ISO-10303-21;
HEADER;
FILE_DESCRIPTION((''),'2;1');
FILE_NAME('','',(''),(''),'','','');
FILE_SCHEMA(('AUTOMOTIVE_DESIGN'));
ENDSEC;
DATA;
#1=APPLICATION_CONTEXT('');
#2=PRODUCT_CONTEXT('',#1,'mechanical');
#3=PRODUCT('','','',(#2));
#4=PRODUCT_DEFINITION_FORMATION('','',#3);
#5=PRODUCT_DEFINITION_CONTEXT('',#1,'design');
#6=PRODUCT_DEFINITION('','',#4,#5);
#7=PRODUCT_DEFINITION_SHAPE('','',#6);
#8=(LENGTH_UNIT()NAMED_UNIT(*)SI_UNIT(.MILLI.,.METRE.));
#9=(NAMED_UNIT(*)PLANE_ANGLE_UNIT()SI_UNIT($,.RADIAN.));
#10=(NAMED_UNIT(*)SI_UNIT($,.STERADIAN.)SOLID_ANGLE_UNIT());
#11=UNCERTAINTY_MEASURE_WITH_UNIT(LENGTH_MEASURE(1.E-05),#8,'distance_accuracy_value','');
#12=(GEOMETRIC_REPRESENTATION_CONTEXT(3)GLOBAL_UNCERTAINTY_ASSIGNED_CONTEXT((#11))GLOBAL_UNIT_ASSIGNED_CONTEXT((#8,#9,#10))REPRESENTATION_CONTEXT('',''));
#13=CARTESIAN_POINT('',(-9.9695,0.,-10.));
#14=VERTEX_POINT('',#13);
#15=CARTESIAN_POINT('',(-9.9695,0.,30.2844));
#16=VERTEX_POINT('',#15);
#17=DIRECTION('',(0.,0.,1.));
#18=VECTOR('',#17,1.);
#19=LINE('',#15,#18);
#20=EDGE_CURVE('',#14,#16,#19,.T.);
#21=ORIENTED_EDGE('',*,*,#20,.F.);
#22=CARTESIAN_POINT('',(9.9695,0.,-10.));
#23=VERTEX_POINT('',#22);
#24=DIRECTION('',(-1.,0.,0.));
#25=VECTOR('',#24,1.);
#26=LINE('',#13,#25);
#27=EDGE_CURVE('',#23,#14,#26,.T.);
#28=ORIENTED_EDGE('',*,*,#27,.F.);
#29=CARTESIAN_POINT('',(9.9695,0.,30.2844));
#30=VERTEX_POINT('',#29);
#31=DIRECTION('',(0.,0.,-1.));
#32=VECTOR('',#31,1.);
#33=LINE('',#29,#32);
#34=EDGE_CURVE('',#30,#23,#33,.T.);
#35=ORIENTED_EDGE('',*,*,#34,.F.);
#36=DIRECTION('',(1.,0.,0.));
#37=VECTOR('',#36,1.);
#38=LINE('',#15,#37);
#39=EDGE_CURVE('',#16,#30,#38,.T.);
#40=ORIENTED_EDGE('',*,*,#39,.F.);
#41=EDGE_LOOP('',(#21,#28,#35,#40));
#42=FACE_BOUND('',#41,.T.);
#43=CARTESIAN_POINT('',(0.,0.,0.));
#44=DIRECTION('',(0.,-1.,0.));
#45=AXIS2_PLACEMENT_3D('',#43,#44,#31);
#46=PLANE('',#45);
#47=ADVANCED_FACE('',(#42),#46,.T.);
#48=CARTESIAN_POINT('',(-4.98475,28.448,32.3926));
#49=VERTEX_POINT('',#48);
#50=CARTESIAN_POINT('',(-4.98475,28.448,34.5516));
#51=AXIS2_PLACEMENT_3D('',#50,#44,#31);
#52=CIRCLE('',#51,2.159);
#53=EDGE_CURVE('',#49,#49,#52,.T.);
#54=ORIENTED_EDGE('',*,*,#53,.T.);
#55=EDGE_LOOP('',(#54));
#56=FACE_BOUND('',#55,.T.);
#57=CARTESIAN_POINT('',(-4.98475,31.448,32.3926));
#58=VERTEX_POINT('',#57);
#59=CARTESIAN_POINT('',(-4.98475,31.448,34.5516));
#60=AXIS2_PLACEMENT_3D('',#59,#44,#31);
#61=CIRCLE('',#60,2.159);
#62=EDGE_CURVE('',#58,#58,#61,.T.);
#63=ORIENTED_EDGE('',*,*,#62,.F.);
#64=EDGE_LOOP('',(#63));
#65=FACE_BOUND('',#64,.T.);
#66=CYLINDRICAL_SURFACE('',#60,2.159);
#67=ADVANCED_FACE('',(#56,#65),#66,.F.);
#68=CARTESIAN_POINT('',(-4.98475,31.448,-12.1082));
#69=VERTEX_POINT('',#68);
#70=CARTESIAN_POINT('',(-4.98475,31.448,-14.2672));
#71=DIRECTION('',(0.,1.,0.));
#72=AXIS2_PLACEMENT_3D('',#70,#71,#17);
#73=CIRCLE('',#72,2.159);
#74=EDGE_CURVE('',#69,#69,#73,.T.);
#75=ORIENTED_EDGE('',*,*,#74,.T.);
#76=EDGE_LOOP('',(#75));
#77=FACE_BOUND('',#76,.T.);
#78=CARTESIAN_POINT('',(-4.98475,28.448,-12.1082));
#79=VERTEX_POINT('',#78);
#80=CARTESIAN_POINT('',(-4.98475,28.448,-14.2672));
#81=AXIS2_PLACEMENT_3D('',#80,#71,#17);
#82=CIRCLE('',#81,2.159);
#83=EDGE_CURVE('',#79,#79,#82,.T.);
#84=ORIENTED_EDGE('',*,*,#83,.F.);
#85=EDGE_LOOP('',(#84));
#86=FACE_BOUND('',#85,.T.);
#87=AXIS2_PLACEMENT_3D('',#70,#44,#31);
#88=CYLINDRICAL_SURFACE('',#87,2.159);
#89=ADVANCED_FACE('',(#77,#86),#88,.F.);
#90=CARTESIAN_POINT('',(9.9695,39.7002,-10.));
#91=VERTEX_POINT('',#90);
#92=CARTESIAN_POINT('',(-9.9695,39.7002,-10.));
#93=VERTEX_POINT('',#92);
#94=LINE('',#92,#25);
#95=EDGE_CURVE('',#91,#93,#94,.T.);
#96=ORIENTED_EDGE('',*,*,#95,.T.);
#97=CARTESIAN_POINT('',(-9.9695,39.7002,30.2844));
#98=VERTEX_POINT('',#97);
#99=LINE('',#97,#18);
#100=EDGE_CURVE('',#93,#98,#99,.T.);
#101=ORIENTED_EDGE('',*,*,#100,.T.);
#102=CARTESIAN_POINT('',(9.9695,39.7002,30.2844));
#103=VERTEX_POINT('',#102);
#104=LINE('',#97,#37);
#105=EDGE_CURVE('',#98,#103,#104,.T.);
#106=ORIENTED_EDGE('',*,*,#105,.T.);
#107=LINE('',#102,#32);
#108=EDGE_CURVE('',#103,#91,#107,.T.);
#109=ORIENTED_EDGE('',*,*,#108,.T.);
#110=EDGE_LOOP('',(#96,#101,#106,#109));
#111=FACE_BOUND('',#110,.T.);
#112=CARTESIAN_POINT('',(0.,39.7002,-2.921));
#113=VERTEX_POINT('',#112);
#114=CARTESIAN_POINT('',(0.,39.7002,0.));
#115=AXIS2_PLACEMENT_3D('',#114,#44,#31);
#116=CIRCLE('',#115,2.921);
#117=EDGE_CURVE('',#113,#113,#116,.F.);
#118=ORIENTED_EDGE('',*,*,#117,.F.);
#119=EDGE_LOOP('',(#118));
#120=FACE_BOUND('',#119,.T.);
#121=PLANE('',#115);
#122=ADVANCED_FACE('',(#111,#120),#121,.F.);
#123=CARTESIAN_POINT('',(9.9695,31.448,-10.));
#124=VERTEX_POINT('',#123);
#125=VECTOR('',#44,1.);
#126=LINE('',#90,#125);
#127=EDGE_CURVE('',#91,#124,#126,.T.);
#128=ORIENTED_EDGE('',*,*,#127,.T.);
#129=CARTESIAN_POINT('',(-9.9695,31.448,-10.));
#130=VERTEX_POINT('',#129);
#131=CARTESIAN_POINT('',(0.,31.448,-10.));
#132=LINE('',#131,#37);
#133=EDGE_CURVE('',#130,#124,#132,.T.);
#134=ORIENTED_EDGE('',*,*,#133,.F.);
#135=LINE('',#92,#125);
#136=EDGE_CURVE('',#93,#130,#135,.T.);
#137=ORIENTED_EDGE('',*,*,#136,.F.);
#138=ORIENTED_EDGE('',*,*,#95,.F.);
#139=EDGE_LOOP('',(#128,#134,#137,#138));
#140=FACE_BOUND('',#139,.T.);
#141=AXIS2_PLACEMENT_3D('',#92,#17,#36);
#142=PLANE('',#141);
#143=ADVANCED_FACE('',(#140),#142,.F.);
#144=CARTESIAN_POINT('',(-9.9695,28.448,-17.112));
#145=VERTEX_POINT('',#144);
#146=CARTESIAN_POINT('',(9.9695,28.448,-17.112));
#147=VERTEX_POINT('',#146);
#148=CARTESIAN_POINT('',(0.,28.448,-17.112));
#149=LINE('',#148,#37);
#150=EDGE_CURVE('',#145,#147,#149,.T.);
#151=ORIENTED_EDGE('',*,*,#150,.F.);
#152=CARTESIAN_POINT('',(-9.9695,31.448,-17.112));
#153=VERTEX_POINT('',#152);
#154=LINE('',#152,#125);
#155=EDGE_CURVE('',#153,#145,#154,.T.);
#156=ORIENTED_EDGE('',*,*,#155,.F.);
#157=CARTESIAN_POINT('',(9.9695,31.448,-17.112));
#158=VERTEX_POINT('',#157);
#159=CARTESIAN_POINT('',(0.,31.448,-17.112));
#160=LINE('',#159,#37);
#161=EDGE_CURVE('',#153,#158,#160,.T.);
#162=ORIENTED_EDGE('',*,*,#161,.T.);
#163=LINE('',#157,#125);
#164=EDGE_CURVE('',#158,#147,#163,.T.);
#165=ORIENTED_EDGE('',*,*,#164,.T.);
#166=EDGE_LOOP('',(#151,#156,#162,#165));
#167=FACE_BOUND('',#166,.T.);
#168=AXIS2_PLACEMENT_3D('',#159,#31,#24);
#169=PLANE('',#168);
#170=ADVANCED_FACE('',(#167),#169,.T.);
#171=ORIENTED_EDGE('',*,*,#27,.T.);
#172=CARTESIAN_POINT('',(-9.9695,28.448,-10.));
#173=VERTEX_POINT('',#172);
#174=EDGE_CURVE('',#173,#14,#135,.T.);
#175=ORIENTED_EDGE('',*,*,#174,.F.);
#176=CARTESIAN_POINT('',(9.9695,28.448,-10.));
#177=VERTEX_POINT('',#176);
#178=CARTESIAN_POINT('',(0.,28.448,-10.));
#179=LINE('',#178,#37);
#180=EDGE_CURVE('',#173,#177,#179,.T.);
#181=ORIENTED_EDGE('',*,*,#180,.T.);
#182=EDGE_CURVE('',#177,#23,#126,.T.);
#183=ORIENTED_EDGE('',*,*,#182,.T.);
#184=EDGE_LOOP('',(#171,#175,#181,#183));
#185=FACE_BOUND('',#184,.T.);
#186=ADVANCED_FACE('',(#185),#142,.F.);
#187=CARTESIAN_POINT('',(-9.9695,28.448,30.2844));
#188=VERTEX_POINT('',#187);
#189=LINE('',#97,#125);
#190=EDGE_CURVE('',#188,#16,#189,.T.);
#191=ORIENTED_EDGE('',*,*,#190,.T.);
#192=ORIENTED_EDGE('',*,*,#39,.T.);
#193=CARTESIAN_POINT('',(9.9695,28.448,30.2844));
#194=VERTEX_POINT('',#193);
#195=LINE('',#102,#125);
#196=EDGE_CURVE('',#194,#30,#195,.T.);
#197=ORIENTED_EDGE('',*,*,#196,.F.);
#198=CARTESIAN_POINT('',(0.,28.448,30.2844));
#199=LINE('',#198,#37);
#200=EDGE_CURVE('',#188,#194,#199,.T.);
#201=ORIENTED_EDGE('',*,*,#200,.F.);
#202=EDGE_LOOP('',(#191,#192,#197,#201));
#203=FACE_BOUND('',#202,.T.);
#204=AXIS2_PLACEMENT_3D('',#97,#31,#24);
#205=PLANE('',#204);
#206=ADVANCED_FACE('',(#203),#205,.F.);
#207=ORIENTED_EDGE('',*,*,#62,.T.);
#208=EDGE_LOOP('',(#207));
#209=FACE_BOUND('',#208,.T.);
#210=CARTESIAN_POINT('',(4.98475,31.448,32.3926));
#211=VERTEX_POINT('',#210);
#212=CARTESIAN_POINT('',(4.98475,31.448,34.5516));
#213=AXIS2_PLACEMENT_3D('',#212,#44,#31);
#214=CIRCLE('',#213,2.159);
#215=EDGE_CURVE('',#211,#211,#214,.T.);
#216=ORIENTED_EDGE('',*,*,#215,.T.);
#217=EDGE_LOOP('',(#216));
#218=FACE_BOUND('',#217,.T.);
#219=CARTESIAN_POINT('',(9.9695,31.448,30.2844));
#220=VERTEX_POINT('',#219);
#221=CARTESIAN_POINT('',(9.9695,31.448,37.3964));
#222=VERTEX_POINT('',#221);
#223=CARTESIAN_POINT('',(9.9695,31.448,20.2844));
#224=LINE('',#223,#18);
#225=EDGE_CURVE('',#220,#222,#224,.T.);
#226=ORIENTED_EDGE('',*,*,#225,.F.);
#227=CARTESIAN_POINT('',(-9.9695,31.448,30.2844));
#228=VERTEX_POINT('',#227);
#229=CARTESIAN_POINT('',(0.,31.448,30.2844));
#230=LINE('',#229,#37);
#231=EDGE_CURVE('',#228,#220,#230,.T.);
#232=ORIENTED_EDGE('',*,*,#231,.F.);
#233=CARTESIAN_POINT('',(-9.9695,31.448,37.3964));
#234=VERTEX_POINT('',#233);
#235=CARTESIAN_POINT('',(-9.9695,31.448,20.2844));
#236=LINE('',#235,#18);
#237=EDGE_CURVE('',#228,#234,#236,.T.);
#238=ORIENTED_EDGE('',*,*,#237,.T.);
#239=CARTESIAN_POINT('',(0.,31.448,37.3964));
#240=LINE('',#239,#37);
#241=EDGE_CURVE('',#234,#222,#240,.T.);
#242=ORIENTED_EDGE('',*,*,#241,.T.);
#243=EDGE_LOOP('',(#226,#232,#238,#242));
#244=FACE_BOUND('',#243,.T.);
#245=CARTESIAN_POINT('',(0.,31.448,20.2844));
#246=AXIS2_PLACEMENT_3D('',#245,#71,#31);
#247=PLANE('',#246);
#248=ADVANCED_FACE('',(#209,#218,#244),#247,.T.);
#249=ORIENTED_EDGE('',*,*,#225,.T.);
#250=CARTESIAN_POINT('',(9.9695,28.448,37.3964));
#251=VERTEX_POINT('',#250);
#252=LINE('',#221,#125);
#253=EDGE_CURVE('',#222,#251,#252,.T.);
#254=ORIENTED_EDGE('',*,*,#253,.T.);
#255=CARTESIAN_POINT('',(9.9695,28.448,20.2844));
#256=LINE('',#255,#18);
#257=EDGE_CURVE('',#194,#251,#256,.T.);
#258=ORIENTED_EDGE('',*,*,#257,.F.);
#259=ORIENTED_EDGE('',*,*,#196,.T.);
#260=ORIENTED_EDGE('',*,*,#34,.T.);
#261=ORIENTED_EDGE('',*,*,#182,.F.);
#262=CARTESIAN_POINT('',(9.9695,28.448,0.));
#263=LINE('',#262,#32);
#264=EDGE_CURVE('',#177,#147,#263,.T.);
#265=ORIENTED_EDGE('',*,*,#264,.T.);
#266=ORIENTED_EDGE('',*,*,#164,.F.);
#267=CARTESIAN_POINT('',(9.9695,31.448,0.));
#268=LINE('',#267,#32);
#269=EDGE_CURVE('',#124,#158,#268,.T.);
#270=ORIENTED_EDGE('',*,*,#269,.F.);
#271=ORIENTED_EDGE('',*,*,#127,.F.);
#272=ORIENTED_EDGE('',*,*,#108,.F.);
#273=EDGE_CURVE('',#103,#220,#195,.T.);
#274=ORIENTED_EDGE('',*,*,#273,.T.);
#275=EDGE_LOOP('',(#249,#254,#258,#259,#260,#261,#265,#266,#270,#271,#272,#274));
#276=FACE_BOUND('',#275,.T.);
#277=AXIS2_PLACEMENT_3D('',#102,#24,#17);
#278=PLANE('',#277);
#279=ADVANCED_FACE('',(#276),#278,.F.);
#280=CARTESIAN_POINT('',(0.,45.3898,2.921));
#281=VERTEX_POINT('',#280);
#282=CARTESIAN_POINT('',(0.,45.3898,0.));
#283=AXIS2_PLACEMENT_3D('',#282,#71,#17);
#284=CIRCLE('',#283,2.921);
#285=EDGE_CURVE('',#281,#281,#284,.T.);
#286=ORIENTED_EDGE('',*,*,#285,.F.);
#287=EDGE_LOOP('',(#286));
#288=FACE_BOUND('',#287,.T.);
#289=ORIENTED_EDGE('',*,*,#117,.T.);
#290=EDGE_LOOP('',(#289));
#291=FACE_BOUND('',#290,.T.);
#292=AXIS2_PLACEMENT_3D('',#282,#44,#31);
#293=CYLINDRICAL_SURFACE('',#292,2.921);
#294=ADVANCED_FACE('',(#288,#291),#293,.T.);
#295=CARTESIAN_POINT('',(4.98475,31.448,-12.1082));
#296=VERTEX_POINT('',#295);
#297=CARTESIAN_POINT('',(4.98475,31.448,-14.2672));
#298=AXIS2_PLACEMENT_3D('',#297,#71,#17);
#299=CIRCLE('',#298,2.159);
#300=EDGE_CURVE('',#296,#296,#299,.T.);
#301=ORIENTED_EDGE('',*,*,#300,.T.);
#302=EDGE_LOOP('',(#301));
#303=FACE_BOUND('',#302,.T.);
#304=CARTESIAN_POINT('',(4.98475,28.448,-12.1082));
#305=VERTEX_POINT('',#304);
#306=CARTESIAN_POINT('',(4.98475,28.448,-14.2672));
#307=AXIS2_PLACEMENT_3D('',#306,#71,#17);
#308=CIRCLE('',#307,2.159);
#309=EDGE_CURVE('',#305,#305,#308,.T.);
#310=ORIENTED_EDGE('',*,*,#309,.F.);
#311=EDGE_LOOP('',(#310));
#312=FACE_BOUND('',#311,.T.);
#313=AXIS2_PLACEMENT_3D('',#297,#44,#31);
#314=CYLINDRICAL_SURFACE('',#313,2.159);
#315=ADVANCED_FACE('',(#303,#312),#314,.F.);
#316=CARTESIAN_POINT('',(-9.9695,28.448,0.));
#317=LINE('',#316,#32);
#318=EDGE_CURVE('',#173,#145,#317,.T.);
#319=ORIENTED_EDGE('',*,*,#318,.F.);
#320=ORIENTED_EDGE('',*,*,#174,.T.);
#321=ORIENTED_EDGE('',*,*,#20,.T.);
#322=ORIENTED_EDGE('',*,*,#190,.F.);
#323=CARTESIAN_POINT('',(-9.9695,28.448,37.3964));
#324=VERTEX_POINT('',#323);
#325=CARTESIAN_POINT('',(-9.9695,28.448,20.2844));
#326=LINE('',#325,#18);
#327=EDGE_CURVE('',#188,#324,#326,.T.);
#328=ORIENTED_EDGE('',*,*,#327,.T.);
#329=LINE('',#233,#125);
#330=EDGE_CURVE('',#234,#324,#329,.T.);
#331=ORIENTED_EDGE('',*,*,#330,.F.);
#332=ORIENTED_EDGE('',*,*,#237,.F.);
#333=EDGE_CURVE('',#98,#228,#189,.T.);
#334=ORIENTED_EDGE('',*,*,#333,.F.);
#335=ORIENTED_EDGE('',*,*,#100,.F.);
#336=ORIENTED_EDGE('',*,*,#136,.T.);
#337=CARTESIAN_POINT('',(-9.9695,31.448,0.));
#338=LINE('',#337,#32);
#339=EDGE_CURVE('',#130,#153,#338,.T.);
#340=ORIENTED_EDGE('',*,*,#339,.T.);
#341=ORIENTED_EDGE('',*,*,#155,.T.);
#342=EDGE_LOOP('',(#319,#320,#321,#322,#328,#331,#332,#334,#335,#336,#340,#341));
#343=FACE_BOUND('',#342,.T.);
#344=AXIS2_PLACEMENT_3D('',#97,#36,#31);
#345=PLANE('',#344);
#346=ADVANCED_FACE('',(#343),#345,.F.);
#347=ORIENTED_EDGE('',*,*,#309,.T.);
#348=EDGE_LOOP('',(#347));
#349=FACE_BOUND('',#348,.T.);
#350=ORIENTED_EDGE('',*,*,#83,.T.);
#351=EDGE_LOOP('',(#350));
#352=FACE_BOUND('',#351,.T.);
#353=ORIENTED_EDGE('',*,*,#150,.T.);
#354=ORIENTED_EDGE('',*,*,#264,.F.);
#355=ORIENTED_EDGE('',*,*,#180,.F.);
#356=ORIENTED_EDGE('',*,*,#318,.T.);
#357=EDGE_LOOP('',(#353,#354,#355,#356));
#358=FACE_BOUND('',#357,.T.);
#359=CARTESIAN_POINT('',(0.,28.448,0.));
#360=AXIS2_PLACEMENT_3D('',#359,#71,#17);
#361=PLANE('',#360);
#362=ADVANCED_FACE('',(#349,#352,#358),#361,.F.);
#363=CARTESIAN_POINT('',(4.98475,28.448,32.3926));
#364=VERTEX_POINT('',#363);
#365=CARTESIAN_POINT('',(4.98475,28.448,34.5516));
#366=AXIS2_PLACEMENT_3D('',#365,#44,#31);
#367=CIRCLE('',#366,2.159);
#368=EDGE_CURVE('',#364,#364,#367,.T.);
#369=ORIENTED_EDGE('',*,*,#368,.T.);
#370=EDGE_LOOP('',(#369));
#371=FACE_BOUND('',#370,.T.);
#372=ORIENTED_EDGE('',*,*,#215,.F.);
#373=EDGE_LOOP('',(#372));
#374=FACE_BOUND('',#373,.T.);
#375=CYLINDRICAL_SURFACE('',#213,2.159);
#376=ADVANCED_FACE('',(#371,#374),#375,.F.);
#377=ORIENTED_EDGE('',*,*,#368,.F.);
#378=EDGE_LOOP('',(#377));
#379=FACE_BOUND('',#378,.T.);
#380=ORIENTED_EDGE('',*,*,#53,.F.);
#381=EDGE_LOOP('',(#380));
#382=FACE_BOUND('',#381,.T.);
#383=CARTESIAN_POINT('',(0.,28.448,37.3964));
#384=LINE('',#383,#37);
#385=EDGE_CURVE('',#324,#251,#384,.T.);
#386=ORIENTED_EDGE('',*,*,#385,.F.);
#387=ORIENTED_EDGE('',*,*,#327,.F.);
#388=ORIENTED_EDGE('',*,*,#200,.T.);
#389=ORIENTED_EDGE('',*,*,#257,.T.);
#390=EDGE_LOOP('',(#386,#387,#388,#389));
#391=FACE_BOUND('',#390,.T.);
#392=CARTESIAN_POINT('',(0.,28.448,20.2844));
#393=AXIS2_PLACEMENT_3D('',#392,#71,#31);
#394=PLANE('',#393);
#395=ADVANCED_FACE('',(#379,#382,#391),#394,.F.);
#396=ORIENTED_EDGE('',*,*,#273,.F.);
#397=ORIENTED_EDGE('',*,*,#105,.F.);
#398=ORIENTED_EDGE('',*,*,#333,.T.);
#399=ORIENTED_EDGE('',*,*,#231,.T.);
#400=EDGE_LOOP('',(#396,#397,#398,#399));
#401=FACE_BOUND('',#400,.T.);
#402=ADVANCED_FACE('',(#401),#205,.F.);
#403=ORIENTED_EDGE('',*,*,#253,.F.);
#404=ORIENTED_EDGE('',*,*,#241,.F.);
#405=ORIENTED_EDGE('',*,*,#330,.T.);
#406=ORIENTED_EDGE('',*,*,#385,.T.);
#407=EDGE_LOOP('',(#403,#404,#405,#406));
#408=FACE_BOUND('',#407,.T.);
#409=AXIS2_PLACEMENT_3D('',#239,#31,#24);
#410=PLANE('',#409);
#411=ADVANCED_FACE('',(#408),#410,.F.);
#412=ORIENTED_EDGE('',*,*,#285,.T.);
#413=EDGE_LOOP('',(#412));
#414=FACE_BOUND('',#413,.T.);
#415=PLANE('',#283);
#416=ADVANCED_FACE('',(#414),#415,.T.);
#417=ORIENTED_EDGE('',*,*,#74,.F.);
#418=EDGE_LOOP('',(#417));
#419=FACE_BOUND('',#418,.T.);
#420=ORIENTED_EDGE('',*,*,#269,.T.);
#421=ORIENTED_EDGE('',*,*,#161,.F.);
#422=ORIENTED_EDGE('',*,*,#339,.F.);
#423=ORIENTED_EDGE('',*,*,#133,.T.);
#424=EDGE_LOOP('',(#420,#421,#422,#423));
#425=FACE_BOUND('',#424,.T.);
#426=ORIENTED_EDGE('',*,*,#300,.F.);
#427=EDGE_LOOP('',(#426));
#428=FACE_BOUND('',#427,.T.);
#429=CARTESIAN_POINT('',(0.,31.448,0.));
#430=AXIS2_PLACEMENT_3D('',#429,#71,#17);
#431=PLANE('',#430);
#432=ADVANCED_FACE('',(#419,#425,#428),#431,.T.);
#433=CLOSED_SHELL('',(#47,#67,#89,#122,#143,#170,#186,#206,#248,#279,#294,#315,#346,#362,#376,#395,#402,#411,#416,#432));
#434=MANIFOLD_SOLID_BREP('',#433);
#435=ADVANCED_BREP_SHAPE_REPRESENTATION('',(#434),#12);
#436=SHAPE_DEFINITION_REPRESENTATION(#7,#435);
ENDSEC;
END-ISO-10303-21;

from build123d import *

# Parameters (mm, degrees)
SKETCH1_W   = 19.939
SKETCH1_H   = 40.2844
BODY_DEPTH  = 39.7002
SKETCH2_R   = 2.921
AXLE_DEPTH  = 5.6896
WINGS_START = 28.448
SKETCH3_W   = 19.939
SKETCH3_H   = 7.112
SKETCH3_R   = 2.159
WINGS_DEPTH = 3


with BuildPart() as part:
    # Sketch1 → Body (new body)
    with BuildSketch(Plane(origin=(0, 0, 0), x_dir=(1, 0, 0), z_dir=(0, 1, 0))):
        with Locations((0, -10.1422)):
            Rectangle(SKETCH1_W, SKETCH1_H)
    extrude(amount=BODY_DEPTH)

    # Sketch2 → Axle (add)
    with BuildSketch(Plane(origin=(0, 39.7002, 0), x_dir=(1, 0, 0), z_dir=(0, 1, 0))):
        Circle(SKETCH2_R)
    extrude(amount=AXLE_DEPTH)

    # Sketch3 → Wings (add)
    with BuildSketch(Plane(origin=(0, 0, 0), x_dir=(1, 0, 0), z_dir=(0, 1, 0)).offset(WINGS_START)):
        with Locations((0, 13.556)):
            Rectangle(SKETCH3_W, SKETCH3_H)
        with Locations((4.98475, 14.2672)):
            Circle(SKETCH3_R, mode=Mode.SUBTRACT)
        with Locations((-4.98475, 14.2672)):
            Circle(SKETCH3_R, mode=Mode.SUBTRACT)
    wings = extrude(amount=WINGS_DEPTH)

    # Mirror1: Wings across plane
    add(wings.mirror(Plane.XY.offset(10.1422)))


solid = part.part
